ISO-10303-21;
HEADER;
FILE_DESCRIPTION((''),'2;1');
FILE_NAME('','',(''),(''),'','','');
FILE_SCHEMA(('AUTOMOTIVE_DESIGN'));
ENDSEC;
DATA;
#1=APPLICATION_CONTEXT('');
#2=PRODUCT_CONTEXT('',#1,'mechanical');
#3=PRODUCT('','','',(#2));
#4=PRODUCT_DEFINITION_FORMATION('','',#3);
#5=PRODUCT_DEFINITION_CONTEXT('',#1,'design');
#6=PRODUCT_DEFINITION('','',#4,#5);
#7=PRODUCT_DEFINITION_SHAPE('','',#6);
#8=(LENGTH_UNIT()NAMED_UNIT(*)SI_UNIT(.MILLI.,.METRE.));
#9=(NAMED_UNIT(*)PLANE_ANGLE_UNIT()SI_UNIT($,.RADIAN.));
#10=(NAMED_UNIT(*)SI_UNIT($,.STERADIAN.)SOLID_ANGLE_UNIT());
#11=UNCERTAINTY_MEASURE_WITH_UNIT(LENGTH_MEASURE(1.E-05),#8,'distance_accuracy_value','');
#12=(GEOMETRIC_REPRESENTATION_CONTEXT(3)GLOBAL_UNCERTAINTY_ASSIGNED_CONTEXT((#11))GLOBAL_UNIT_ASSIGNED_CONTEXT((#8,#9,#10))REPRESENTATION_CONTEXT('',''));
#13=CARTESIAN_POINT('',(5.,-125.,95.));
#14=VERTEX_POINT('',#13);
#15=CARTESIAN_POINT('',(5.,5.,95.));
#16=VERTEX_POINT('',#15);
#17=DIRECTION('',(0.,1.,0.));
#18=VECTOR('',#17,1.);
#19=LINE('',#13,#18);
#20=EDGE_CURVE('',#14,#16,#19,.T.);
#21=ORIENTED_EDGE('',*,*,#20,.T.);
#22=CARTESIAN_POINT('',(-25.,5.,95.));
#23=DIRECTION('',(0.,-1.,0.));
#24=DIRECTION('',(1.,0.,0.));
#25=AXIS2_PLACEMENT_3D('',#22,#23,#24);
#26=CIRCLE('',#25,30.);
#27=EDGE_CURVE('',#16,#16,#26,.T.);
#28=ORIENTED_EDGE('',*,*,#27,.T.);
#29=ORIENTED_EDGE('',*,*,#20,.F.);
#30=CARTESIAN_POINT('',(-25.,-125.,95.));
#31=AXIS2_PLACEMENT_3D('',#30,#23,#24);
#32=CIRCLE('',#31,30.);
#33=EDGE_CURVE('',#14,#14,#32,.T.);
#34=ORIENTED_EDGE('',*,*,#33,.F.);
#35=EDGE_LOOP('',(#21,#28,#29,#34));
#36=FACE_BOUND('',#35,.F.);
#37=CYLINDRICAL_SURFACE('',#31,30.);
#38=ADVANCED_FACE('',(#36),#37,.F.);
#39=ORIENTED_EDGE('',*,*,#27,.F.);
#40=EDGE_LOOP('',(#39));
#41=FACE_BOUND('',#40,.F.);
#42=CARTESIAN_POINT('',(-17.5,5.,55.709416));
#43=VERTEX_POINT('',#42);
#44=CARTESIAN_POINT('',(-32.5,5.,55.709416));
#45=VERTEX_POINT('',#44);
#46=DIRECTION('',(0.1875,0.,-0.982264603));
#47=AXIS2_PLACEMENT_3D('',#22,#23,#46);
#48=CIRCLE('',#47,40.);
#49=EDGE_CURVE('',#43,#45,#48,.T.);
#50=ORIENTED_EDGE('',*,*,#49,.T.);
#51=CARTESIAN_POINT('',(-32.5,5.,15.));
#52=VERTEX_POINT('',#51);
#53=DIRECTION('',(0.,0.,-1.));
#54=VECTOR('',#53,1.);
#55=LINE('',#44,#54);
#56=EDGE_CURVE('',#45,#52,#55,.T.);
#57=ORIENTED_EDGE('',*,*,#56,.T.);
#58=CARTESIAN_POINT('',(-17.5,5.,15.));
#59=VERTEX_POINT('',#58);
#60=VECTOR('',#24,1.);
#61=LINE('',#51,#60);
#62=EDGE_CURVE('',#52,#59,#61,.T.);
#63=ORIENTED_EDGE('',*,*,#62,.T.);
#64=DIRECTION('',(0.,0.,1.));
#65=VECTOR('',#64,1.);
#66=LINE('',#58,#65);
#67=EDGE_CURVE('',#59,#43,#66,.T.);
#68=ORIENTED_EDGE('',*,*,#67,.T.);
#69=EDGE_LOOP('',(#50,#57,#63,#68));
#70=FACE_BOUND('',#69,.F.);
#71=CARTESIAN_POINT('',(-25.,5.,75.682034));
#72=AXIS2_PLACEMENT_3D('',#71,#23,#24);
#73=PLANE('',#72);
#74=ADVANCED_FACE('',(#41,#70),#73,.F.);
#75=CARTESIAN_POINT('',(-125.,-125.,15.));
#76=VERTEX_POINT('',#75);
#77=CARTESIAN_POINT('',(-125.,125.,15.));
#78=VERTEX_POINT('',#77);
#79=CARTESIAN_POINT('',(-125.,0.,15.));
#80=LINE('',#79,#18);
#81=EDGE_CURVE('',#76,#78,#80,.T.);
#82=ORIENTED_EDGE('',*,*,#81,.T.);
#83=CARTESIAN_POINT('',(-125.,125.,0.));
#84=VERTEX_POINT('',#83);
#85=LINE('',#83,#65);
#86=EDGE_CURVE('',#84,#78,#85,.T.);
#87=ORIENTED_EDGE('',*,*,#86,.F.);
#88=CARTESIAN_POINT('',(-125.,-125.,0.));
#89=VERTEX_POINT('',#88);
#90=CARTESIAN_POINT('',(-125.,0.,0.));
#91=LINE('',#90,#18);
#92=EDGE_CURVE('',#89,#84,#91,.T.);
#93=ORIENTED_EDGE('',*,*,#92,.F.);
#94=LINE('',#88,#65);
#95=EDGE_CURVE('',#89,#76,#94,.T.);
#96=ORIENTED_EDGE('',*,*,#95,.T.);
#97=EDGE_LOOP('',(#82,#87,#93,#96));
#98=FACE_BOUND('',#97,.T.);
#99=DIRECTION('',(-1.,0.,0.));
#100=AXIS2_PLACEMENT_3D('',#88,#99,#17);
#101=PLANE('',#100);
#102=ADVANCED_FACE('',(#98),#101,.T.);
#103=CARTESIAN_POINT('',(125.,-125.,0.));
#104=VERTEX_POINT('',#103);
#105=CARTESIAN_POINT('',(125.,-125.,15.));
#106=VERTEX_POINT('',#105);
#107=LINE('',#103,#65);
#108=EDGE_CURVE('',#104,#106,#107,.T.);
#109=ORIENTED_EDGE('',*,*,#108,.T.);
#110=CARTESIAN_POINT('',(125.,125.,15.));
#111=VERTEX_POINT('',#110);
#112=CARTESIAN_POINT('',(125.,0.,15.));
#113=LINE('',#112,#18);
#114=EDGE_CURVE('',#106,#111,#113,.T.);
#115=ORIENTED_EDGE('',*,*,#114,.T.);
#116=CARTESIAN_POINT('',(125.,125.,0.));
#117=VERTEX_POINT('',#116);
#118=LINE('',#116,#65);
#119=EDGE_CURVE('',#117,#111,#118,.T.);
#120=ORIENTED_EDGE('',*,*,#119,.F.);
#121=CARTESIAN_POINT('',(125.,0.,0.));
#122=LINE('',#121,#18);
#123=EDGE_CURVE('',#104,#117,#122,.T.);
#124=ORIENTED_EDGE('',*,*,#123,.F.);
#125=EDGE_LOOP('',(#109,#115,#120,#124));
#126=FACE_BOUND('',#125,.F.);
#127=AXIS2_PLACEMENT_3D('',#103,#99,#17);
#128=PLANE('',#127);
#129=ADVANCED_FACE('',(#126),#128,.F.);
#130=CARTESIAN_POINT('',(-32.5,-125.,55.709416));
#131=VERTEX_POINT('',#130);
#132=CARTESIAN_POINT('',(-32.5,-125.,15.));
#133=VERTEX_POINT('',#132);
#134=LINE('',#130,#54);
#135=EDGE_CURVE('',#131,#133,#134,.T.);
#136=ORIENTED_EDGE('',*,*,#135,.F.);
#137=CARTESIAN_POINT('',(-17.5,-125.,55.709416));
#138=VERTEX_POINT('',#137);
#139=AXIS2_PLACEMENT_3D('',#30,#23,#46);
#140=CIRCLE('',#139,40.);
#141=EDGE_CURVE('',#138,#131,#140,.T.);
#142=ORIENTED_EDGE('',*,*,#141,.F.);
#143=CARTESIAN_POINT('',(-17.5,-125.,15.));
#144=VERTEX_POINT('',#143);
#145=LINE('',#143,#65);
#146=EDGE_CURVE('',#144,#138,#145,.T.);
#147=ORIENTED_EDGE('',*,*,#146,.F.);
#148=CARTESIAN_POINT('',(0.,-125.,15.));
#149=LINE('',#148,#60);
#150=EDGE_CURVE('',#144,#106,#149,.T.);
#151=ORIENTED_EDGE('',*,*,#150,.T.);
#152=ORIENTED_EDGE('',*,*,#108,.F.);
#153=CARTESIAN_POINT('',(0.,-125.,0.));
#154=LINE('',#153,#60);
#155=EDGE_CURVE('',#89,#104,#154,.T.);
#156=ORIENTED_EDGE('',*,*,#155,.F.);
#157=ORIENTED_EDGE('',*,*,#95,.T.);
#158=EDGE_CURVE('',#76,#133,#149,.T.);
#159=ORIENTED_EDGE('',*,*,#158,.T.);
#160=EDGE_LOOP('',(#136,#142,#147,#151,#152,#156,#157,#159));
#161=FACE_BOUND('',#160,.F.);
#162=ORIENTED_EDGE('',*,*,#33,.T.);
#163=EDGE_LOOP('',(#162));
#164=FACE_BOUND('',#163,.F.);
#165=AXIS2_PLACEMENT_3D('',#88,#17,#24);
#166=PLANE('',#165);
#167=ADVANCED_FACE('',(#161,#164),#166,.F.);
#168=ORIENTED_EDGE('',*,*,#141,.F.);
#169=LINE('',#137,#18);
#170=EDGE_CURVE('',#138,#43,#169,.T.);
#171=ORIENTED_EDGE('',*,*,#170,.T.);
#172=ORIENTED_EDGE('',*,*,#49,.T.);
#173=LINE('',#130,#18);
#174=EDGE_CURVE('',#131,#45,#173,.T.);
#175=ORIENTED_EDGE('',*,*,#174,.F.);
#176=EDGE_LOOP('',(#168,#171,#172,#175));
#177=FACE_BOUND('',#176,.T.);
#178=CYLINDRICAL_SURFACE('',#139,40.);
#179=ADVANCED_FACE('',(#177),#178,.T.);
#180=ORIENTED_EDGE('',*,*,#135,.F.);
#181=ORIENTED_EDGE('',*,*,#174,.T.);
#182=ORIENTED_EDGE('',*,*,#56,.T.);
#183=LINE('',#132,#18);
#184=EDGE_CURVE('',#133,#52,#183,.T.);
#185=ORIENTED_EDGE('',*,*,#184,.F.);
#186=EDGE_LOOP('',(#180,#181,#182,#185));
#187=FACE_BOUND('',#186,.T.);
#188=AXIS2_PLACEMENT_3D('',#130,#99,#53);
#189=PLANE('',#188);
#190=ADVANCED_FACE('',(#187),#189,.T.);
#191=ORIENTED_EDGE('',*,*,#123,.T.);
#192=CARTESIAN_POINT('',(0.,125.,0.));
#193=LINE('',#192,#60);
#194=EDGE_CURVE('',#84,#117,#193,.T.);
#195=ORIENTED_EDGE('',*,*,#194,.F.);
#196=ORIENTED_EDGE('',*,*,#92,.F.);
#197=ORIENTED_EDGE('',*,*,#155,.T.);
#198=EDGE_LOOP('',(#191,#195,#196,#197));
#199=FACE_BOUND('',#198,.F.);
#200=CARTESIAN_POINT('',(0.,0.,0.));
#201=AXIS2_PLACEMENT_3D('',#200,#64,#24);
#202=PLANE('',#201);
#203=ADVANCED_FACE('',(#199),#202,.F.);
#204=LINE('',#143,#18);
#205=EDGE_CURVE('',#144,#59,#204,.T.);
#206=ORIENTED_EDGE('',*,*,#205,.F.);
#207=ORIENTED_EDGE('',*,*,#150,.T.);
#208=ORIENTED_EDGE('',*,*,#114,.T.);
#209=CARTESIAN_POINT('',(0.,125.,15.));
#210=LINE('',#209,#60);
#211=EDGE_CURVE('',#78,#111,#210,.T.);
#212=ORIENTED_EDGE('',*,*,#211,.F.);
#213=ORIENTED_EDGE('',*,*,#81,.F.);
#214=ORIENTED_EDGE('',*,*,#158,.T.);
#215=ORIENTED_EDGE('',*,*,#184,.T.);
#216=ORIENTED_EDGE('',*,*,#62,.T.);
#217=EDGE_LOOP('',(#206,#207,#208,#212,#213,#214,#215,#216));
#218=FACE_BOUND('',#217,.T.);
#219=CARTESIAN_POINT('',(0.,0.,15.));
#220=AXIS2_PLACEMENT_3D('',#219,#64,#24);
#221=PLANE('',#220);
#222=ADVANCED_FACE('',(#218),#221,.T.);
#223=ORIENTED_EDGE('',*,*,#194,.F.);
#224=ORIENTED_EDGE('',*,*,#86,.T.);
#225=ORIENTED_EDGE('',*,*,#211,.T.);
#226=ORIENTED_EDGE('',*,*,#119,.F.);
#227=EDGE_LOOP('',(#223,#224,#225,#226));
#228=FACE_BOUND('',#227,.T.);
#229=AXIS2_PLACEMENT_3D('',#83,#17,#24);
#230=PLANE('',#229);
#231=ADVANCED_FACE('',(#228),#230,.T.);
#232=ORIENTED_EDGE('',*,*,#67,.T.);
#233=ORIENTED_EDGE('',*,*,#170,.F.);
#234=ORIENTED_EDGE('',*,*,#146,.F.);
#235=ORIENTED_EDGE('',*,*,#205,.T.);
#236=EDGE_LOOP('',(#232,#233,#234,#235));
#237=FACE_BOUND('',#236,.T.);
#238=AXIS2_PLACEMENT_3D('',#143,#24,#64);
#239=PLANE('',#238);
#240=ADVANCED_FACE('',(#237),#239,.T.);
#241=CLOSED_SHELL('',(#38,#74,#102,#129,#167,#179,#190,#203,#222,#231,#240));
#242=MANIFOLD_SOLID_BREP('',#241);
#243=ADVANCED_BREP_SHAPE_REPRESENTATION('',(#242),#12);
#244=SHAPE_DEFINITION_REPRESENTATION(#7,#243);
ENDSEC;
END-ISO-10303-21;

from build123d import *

# Parameters (mm, degrees)
F0_W     = 250
F0_H     = 250
F1_DEPTH = 15
F2_R     = 30
F3_DEPTH = 130


with BuildPart() as f1:
    # F0 (on Top) → F1 (new body)
    with BuildSketch(Plane.XY):
        Rectangle(F0_W, F0_H)
    extrude(amount=F1_DEPTH)

    # F2 (on face) → F3 (join)
    with BuildSketch(Plane.XZ.offset(125)):
        with BuildLine():
            Line((-17.5, 15), (-17.5, 55.709416))
            ThreePointArc((-17.5, 55.709416), (-25, 135), (-32.5, 55.709416))
            Line((-32.5, 55.709416), (-32.5, 15))
            Line((-32.5, 15), (-17.5, 15))
        make_face()
        with Locations((-25, 95)):
            Circle(F2_R, mode=Mode.SUBTRACT)
    extrude(amount=-F3_DEPTH)


solid = f1.part
